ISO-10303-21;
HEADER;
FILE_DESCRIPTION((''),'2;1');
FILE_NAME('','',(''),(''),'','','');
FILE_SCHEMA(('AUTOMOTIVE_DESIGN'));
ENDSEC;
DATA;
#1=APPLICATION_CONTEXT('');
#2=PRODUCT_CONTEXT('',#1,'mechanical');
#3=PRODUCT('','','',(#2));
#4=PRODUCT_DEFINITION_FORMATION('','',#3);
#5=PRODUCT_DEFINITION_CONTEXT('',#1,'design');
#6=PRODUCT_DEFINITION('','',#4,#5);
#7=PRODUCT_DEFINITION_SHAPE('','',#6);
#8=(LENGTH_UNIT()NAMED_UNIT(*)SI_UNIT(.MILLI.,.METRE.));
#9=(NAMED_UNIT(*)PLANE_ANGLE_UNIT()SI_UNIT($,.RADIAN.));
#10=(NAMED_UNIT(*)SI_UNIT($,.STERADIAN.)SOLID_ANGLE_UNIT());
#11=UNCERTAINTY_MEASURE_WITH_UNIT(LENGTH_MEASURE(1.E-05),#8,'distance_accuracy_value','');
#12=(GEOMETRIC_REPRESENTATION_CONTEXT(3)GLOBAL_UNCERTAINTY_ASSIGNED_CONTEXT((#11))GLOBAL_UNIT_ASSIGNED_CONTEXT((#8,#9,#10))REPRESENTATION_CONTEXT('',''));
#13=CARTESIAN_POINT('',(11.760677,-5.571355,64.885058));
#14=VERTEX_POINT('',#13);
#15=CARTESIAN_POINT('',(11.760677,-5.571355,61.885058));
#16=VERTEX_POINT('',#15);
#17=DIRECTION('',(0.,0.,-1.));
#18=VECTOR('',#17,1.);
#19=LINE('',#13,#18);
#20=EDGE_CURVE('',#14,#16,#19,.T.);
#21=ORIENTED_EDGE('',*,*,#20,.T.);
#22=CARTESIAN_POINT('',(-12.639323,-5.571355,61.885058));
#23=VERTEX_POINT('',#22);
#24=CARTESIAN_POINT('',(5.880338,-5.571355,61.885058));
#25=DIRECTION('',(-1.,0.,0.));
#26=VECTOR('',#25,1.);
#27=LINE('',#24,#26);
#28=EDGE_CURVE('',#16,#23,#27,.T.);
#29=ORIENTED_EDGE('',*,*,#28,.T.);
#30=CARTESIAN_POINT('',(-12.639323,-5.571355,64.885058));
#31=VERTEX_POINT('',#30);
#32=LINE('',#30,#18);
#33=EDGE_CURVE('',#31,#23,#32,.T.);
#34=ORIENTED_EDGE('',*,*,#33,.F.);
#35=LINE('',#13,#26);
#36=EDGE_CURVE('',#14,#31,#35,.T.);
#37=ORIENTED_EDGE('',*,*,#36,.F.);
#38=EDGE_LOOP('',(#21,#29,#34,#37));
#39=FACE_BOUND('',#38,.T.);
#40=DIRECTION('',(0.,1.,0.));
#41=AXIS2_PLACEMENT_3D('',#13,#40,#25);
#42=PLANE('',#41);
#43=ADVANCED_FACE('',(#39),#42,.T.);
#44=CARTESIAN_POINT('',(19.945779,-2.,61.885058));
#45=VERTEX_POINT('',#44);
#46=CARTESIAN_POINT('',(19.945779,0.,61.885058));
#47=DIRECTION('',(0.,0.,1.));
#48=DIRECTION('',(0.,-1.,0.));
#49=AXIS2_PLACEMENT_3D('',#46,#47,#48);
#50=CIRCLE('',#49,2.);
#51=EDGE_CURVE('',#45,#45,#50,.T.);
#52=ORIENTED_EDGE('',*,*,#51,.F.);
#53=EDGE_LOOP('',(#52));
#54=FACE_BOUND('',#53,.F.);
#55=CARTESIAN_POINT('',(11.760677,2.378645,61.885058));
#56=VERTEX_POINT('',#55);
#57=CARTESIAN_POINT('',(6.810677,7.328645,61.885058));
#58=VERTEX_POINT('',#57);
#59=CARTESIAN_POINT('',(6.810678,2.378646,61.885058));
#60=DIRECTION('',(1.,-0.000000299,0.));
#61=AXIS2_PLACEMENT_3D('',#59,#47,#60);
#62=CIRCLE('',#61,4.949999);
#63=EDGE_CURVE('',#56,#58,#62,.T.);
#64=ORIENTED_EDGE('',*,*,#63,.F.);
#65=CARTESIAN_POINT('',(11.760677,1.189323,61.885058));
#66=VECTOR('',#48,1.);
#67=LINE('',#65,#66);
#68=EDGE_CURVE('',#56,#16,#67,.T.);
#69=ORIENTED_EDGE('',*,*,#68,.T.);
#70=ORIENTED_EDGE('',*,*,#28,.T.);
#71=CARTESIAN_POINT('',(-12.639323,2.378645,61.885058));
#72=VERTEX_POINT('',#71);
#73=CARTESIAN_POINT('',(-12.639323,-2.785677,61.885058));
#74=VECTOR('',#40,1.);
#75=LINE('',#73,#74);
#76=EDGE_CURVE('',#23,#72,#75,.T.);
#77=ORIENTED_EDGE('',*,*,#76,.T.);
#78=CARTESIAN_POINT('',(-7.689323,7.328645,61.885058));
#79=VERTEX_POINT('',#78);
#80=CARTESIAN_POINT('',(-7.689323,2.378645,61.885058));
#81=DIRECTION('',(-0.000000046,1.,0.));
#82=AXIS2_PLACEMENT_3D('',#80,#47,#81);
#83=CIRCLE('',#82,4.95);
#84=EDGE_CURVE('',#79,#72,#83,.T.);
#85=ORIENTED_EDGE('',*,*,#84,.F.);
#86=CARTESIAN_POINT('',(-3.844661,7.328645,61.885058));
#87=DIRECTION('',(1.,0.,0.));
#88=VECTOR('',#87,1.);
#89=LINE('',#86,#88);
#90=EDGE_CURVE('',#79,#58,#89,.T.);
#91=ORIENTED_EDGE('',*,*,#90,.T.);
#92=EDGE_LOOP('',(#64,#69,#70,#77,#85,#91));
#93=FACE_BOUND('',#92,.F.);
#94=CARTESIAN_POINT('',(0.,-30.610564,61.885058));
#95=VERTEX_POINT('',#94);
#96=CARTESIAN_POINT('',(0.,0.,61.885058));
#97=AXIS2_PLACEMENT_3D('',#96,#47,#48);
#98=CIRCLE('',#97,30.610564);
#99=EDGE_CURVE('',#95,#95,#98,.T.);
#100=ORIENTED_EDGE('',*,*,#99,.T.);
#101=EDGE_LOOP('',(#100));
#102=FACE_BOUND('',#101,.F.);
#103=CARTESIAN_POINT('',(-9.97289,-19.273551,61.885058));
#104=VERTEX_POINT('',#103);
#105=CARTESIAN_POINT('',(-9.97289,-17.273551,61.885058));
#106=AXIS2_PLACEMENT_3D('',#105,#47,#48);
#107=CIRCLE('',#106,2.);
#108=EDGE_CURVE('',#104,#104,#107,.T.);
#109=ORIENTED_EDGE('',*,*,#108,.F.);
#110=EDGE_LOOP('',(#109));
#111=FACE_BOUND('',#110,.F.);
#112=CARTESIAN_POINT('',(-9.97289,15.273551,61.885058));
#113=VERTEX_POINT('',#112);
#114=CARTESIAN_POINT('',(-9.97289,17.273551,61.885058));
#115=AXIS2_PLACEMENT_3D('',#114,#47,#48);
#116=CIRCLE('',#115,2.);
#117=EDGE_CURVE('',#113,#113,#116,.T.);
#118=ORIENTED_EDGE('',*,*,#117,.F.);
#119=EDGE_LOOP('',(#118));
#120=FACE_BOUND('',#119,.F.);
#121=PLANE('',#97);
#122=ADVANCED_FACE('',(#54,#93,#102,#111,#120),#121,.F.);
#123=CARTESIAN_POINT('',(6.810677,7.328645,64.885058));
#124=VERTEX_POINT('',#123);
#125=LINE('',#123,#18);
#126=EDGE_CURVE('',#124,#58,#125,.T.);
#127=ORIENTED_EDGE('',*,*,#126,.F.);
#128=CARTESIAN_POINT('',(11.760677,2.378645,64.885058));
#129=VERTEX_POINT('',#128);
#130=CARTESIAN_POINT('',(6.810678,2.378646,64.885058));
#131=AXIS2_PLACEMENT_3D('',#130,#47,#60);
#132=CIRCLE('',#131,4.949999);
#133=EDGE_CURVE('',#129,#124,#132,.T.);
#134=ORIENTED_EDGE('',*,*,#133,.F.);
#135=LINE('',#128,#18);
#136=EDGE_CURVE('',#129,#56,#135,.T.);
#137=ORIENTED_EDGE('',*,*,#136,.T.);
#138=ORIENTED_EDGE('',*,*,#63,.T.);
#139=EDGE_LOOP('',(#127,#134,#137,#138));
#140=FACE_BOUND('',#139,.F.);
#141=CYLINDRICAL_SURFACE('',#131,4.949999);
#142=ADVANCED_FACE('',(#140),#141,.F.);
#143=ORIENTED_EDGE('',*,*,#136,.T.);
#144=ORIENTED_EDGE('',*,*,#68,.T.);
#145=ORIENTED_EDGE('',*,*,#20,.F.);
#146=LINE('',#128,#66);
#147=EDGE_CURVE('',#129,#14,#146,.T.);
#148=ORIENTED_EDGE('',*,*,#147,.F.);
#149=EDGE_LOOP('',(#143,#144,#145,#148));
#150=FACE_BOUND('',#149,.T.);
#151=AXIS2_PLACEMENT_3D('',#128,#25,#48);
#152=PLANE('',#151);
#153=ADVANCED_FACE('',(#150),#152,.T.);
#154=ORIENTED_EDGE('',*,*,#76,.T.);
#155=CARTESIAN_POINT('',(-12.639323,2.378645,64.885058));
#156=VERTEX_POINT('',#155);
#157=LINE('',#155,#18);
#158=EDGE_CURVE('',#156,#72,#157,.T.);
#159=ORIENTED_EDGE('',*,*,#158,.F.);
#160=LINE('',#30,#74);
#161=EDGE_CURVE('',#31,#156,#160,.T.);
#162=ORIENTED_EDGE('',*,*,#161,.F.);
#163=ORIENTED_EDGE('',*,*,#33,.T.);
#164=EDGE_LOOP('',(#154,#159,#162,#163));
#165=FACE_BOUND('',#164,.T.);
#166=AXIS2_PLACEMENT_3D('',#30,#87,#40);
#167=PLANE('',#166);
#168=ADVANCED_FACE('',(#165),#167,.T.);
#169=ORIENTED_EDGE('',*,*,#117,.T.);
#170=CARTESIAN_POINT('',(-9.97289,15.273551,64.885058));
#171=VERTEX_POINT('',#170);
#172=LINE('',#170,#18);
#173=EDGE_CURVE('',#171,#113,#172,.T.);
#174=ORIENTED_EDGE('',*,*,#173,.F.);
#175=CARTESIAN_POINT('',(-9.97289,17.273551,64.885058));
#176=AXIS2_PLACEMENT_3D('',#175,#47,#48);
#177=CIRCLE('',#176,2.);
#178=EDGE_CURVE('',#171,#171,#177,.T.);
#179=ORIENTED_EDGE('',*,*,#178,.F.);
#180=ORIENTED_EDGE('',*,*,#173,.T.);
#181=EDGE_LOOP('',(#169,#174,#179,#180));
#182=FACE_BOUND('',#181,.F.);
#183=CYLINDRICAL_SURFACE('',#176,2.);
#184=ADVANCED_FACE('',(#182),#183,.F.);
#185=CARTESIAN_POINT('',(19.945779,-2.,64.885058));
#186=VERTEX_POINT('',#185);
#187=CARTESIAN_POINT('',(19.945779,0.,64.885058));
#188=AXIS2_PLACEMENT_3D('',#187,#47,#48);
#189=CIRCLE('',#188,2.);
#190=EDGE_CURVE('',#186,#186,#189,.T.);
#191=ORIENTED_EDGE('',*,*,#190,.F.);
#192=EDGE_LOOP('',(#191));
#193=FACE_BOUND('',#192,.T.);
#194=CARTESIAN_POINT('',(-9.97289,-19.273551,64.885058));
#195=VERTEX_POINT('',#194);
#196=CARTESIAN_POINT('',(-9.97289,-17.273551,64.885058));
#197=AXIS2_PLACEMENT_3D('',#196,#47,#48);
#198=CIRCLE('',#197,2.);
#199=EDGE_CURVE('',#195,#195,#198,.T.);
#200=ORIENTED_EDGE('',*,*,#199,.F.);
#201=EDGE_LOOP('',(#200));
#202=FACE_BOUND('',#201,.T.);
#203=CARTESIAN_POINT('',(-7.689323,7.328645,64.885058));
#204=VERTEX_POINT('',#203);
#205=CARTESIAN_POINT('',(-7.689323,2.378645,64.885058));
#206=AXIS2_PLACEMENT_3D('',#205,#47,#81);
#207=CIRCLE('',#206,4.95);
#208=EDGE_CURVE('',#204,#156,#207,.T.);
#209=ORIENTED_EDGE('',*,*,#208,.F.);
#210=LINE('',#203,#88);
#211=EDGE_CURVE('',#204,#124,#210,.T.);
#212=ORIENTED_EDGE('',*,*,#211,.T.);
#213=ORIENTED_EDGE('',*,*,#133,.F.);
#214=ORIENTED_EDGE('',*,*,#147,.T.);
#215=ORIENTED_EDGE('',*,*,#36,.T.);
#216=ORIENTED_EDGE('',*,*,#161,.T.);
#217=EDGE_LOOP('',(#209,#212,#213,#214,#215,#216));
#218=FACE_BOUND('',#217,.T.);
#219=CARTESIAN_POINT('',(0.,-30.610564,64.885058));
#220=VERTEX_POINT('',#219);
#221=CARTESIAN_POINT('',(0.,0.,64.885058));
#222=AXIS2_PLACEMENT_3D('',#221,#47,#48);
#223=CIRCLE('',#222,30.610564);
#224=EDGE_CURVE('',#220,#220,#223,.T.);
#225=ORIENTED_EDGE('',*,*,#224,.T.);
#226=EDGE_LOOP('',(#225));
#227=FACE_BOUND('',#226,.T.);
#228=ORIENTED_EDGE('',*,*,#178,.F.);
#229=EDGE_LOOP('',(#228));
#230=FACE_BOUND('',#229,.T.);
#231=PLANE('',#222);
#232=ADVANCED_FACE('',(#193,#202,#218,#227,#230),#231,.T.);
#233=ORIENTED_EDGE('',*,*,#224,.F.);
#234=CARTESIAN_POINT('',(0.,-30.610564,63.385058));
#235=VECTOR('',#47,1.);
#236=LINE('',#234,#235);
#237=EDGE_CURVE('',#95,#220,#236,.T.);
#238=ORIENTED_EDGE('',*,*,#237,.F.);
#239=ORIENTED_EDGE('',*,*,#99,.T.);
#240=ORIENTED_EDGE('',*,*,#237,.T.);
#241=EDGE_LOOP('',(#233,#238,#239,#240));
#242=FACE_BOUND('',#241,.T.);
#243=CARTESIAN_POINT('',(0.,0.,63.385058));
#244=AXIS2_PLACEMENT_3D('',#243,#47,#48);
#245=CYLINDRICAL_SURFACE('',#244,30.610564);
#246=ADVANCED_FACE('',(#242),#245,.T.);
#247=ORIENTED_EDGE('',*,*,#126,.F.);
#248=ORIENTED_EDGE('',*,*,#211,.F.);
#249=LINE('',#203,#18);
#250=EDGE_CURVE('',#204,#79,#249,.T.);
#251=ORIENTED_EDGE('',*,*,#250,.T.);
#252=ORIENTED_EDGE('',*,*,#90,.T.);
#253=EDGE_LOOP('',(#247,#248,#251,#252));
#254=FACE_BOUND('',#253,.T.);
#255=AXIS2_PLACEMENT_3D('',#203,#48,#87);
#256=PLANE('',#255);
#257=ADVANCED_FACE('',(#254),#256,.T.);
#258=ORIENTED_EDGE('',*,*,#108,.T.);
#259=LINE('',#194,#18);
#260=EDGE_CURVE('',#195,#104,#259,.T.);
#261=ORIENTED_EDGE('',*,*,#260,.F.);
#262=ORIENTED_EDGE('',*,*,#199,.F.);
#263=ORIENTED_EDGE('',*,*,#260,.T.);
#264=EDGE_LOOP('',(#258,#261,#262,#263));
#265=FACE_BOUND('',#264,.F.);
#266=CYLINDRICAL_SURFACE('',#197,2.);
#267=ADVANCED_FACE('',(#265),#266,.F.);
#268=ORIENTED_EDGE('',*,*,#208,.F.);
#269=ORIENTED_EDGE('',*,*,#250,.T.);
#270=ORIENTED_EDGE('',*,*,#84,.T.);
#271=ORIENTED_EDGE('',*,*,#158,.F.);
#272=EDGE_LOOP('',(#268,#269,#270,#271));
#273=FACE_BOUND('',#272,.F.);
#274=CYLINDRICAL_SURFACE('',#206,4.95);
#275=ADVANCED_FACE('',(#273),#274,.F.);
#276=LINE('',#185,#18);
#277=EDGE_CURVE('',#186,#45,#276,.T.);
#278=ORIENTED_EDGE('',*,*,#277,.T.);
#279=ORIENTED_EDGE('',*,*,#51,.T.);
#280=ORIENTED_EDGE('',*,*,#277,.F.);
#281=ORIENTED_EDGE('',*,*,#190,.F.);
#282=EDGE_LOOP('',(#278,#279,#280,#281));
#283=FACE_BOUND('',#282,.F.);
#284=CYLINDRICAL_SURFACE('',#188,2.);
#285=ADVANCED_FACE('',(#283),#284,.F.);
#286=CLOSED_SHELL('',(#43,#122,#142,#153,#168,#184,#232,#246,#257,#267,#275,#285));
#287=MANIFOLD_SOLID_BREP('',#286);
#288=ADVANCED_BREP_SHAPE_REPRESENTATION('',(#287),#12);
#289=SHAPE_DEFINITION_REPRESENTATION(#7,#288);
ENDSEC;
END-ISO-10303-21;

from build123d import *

# Parameters (mm, degrees)
SKETCH021_W     = 30.610564
SKETCH021_H     = 3
POCKET_DEPTH    = 3.001
SKETCH023_R     = 2
POCKET001_DEPTH = 3.001


with BuildPart() as part:
    # Sketch021 → Revolution008 (revolve)
    with BuildSketch(Plane.YZ):
        with Locations((-15.305282, 63.385058)):
            Rectangle(SKETCH021_W, SKETCH021_H)
    revolve(axis=Axis((0, 0, 0), (0, 0, 1)))

    # Sketch022 (on Face1 of Revolution008) → Pocket (cut, through all)
    with BuildSketch(Plane(origin=(0, 0, 64.885058), x_dir=(0, -1, 0), z_dir=(0, 0, 1))):
        with BuildLine():
            Line((-2.378645, 11.760677), (5.571355, 11.760677))
            Line((5.571355, 11.760677), (5.571355, -12.639323))
            Line((5.571355, -12.639323), (-2.378645, -12.639323))
            ThreePointArc((-7.328645, -7.689323), (-5.878824, -11.189501), (-2.378645, -12.639323))
            Line((-7.328645, -7.689323), (-7.328645, 6.810677))
            ThreePointArc((-2.378645, 11.760677), (-5.878824, 10.310856), (-7.328645, 6.810677))
        make_face()
    extrude(amount=-POCKET_DEPTH, mode=Mode.SUBTRACT)

    # Sketch023 (on Face1 of Pocket) → Pocket001 (cut, through all)
    with BuildSketch(Plane(origin=(0, 0, 64.885058), x_dir=(0, -1, 0), z_dir=(0, 0, 1))):
        with Locations((-17.273551, -9.97289)):
            Circle(SKETCH023_R)
        with Locations((17.273551, -9.97289)):
            Circle(SKETCH023_R)
        with Locations((0, 19.945779)):
            Circle(SKETCH023_R)
    extrude(amount=-POCKET001_DEPTH, mode=Mode.SUBTRACT)


solid = part.part
